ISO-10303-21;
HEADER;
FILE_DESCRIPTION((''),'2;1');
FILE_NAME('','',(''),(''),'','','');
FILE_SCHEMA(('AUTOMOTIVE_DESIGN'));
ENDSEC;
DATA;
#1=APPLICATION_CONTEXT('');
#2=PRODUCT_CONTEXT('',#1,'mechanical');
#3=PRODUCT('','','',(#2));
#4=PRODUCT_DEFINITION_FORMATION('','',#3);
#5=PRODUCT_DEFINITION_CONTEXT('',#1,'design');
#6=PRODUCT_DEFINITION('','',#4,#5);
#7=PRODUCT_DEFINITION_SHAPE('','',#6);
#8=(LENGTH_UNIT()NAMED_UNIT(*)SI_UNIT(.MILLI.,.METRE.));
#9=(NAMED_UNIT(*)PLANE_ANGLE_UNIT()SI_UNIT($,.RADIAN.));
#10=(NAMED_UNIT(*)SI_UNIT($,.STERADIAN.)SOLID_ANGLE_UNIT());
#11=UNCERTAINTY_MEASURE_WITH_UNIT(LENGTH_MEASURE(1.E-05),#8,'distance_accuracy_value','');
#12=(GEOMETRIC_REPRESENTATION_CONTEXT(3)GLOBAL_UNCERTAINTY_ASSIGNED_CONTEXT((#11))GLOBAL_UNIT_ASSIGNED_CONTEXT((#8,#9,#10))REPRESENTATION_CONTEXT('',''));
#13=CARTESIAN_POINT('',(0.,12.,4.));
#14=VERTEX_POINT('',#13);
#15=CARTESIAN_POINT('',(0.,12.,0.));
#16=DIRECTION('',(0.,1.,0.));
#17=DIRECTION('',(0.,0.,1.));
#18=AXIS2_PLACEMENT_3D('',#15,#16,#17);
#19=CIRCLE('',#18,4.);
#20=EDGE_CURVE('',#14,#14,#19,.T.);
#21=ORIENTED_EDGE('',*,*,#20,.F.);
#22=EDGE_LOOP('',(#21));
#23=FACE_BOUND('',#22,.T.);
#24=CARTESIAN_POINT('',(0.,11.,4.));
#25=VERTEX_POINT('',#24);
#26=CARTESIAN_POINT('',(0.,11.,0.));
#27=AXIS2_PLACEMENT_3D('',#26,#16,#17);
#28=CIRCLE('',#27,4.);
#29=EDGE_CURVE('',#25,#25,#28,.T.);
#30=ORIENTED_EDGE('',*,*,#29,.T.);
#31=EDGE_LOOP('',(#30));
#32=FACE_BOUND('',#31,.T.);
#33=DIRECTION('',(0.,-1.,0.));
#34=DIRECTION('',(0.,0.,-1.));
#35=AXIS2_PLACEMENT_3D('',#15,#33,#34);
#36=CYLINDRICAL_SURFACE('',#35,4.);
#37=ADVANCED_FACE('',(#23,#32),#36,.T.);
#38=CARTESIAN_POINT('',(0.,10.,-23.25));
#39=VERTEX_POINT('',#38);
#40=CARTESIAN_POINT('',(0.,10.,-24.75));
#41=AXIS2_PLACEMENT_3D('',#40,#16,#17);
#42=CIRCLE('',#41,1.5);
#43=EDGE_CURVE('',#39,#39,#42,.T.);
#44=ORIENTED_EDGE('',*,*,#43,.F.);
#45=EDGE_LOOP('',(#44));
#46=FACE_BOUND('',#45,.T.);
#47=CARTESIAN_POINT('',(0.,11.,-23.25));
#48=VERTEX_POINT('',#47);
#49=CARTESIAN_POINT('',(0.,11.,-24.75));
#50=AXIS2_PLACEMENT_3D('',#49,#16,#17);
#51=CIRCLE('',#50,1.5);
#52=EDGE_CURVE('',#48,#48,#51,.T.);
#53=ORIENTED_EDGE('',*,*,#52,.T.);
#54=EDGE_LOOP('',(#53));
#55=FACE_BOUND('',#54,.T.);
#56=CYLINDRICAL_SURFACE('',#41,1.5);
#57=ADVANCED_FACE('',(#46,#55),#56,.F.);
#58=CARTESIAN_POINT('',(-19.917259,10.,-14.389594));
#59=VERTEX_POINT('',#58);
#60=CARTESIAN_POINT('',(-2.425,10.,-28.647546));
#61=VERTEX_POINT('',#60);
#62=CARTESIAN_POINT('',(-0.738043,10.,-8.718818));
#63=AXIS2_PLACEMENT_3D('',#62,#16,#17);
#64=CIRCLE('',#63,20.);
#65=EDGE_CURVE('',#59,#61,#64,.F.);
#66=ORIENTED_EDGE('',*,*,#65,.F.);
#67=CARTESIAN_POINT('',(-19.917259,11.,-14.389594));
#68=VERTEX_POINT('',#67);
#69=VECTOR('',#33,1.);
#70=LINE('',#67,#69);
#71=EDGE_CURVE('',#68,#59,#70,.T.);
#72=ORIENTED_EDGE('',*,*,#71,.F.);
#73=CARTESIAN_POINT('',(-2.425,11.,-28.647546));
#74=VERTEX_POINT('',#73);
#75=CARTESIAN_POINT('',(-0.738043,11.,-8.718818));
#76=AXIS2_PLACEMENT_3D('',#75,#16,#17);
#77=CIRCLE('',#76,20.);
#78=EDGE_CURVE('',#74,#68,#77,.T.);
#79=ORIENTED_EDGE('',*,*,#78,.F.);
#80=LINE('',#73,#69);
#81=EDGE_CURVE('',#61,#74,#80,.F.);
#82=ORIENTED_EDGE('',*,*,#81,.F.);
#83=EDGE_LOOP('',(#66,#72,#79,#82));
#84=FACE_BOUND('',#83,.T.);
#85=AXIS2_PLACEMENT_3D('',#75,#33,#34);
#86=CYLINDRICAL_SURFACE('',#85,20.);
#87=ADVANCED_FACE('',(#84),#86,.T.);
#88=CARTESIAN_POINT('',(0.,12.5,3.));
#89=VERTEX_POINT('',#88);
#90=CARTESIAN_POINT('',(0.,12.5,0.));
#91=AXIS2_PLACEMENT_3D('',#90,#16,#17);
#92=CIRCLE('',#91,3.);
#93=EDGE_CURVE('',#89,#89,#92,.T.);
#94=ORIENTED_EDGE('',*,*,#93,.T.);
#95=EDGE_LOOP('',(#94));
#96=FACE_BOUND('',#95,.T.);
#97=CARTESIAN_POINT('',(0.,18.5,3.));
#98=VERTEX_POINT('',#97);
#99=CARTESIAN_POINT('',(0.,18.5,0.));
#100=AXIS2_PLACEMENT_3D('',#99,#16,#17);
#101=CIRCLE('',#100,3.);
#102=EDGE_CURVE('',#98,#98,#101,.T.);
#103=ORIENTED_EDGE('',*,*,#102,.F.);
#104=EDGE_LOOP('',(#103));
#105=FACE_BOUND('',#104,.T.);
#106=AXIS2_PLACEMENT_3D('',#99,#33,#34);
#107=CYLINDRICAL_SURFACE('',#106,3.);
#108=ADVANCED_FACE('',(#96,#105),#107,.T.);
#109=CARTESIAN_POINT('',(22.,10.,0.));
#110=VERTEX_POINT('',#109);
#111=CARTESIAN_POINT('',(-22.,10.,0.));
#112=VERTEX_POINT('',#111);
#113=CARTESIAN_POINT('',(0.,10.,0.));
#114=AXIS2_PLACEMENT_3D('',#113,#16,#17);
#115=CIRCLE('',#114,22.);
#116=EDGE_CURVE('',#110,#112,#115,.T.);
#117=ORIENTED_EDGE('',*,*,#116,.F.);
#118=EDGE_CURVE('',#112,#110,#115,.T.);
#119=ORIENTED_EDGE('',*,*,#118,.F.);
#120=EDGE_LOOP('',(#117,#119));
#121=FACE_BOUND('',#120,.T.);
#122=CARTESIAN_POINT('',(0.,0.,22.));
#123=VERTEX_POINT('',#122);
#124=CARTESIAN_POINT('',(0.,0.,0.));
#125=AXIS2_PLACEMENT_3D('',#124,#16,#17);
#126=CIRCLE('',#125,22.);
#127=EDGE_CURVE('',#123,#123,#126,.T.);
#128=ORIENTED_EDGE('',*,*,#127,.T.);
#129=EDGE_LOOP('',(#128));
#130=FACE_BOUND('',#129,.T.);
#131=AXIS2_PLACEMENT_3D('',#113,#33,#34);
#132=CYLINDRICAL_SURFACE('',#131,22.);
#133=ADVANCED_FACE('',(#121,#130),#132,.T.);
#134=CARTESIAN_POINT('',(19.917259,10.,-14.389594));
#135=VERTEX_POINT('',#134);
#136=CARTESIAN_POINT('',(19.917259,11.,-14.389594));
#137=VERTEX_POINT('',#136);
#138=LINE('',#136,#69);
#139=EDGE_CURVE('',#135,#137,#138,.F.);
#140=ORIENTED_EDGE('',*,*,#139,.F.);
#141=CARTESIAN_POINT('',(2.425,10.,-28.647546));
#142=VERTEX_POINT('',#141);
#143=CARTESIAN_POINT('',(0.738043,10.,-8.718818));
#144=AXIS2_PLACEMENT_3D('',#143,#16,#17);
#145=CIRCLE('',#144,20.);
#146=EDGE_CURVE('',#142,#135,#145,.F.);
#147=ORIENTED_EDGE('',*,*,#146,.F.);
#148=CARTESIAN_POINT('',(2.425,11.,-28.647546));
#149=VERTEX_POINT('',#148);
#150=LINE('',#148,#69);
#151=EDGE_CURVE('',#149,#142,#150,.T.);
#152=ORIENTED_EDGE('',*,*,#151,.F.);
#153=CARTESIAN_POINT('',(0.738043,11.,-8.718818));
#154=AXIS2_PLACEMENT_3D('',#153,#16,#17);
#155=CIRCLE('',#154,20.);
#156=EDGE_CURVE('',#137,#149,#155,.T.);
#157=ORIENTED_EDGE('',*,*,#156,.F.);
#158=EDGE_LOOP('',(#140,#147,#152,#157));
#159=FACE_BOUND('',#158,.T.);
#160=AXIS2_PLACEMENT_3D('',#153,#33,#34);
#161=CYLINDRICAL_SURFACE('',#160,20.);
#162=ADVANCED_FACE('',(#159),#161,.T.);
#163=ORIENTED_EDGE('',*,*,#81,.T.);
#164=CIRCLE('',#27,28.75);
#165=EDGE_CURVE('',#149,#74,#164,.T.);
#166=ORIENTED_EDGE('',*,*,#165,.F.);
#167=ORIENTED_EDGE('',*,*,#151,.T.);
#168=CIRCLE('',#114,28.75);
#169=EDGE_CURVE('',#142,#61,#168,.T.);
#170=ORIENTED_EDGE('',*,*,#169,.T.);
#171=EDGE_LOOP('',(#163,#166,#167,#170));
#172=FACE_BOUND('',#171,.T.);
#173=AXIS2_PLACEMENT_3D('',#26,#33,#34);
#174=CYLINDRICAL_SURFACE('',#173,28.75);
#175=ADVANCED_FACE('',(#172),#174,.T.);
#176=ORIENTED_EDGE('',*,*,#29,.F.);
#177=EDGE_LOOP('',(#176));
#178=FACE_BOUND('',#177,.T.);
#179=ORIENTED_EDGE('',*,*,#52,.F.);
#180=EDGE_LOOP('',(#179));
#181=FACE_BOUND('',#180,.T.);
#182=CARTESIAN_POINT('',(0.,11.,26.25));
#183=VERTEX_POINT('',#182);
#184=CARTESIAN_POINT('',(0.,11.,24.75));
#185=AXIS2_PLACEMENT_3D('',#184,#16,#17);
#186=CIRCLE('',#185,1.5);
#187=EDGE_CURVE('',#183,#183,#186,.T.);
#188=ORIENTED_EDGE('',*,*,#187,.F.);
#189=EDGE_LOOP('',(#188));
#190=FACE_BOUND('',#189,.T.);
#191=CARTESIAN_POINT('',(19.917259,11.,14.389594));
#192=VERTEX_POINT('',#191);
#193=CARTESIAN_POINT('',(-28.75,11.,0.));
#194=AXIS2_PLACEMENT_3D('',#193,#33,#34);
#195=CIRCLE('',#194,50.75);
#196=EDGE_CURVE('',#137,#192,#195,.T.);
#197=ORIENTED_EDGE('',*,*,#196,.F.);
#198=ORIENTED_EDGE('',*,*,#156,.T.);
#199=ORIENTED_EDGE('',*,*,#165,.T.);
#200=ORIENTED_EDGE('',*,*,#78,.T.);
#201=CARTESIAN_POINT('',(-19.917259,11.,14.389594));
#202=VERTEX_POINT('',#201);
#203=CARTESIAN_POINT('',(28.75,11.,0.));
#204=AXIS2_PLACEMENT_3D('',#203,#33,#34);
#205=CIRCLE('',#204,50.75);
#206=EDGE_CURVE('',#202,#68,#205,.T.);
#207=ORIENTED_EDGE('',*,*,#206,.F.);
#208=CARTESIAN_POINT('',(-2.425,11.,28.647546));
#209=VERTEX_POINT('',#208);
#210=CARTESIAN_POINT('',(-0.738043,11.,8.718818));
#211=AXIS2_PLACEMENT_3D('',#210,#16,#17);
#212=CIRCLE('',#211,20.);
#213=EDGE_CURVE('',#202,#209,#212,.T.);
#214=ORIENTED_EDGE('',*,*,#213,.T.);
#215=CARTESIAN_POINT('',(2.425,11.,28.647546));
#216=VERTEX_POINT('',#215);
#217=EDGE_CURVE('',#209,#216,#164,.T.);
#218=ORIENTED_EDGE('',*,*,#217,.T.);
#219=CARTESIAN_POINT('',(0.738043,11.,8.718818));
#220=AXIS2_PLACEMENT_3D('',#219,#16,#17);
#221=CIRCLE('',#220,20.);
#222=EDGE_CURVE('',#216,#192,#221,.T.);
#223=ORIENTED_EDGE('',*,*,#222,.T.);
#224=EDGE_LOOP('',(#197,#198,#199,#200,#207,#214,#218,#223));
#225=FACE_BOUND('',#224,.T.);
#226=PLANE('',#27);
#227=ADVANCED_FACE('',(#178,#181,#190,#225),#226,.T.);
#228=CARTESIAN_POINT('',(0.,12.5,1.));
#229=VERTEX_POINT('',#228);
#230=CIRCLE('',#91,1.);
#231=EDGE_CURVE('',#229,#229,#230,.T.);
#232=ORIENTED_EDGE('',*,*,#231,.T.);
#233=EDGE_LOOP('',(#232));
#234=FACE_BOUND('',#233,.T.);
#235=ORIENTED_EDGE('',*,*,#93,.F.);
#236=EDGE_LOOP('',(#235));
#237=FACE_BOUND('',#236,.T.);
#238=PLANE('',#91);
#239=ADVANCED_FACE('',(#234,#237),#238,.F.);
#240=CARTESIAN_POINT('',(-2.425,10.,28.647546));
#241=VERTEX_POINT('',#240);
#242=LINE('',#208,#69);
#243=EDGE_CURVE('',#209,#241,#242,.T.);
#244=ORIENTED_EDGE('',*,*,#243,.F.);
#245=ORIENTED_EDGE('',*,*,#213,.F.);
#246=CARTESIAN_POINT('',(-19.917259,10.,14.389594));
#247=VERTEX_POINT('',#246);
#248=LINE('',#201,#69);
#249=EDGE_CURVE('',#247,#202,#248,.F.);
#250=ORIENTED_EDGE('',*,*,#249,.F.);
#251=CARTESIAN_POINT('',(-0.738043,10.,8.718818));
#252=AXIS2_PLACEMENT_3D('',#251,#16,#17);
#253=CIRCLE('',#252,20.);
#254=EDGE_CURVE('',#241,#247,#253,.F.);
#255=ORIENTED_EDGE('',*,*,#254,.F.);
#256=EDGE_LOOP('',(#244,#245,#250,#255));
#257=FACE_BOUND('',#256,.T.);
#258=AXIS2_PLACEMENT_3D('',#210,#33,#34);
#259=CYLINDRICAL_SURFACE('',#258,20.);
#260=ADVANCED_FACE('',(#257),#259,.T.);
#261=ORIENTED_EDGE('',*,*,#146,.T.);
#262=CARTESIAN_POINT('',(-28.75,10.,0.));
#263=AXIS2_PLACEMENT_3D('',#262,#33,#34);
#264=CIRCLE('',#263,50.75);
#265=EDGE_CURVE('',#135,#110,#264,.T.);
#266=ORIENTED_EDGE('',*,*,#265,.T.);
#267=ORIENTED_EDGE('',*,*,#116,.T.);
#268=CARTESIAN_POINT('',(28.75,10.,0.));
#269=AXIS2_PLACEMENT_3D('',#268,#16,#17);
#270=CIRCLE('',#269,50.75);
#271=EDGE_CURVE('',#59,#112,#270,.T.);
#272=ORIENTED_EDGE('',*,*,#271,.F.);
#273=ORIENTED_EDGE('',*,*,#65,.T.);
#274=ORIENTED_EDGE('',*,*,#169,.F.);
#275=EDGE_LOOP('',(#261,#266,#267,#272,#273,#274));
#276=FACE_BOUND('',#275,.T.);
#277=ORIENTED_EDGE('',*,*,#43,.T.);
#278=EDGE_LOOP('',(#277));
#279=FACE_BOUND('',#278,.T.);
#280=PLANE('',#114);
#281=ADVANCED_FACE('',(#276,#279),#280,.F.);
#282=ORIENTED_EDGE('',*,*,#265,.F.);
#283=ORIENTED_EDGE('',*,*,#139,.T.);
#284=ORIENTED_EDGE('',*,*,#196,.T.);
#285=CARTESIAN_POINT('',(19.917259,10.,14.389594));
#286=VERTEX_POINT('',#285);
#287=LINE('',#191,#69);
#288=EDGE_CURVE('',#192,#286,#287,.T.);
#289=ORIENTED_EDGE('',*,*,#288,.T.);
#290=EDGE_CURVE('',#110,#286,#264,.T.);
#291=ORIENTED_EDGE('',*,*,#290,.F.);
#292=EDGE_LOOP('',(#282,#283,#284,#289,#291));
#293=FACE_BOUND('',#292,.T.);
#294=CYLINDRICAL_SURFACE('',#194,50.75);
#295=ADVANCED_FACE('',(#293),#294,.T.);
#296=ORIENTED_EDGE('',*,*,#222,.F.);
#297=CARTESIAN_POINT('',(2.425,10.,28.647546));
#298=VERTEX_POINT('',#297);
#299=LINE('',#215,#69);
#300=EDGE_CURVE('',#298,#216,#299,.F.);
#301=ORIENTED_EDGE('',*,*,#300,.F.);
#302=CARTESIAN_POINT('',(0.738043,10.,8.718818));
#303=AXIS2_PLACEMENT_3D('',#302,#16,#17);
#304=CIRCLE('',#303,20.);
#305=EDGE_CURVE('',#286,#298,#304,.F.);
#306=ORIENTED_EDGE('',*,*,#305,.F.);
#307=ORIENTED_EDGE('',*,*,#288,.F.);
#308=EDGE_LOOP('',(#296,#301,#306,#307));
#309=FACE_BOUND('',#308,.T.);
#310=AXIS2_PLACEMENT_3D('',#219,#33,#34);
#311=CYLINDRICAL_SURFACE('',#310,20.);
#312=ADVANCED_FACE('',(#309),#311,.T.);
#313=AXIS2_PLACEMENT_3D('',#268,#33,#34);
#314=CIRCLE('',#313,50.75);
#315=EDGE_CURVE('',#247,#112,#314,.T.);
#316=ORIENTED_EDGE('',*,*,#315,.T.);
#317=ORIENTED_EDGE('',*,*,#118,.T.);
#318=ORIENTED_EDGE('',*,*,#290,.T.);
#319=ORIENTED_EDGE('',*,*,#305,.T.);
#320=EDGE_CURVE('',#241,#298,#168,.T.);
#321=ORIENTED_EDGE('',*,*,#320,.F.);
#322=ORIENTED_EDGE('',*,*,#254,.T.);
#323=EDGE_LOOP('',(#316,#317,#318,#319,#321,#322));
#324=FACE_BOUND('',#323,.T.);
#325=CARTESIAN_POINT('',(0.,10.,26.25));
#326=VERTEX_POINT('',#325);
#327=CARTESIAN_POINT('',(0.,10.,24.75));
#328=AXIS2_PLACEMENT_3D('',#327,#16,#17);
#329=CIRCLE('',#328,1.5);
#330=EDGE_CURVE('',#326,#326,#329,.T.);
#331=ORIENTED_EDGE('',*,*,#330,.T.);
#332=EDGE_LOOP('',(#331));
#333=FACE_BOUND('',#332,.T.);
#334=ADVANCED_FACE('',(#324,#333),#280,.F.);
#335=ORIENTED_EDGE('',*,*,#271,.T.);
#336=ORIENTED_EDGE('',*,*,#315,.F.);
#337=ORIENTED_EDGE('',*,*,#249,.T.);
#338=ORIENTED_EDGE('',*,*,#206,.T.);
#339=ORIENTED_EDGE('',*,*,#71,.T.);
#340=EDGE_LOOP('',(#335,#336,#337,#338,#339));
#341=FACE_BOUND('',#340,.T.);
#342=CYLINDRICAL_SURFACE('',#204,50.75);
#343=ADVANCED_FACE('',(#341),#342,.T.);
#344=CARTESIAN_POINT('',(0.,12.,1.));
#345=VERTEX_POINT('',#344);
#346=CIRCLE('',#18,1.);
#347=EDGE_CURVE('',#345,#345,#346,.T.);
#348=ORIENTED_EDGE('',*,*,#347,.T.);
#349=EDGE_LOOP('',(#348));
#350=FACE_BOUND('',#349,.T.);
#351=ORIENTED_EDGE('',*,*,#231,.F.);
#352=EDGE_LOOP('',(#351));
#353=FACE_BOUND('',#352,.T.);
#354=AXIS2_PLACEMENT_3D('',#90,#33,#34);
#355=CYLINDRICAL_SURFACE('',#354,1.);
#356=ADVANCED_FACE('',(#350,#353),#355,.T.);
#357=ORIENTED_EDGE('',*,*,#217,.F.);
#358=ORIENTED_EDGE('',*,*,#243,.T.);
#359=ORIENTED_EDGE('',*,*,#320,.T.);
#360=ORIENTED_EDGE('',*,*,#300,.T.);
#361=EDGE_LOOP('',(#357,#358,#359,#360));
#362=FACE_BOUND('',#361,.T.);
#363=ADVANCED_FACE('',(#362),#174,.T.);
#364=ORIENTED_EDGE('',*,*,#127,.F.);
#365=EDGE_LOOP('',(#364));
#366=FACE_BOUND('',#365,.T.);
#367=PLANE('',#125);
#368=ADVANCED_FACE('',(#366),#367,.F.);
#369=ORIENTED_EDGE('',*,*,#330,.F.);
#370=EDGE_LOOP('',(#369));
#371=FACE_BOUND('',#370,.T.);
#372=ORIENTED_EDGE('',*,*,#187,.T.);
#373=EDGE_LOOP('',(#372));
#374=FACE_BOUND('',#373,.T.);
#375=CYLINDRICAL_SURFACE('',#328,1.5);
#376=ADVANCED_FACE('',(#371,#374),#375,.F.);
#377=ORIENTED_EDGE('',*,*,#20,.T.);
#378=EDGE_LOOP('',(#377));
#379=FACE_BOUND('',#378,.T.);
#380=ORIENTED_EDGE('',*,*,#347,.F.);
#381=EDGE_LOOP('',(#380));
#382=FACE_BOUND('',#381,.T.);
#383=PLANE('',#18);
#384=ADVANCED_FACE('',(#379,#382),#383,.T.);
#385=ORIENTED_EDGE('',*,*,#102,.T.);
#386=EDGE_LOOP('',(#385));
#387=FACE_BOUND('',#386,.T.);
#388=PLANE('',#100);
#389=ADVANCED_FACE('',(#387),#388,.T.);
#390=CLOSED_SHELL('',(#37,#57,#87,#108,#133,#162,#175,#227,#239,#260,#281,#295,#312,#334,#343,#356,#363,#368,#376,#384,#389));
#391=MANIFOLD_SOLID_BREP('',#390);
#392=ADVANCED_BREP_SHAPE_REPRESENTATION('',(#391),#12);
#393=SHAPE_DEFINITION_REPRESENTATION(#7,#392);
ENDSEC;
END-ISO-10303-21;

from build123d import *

# Parameters (mm, degrees)
SKETCH1_R           = 22
BOSS_EXTRUDE1_DEPTH = 10
SKETCH2_R           = 28.75
BOSS_EXTRUDE2_DEPTH = 1
SKETCH3_R           = 1.5
CUT_EXTRUDE1_DEPTH  = 1
CUT_EXTRUDE2_DEPTH  = 1
FILLET1_R           = 20
SKETCH5_R           = 4
BOSS_EXTRUDE3_DEPTH = 1
SKETCH6_R           = 1
BOSS_EXTRUDE4_DEPTH = 0.5
SKETCH7_R           = 3
BOSS_EXTRUDE5_DEPTH = 6


with BuildPart() as part:
    # Sketch1 → Boss-Extrude1 (new body)
    with BuildSketch(Plane(origin=(0, 0, 0), x_dir=(1, 0, 0), z_dir=(0, 1, 0))):
        with Locations(Location((0, 0, 0), (0, 0, 270))):
            Circle(SKETCH1_R)
    extrude(amount=BOSS_EXTRUDE1_DEPTH)

    # Sketch2 → Boss-Extrude2 (add)
    with BuildSketch(Plane(origin=(0, 10, 0), x_dir=(1, 0, 0), z_dir=(0, 1, 0))):
        with Locations(Location((0, 0, 0), (0, 0, 270))):
            Circle(SKETCH2_R)
    extrude(amount=BOSS_EXTRUDE2_DEPTH)

    # Sketch3 → Cut-Extrude1 (cut)
    with BuildSketch(Plane(origin=(0, 11, 0), x_dir=(1, 0, 0), z_dir=(0, 1, 0))):
        with Locations(Location((0, -24.75, 0), (0, 0, 270))):
            Circle(SKETCH3_R)
        with Locations(Location((0, 24.75, 0), (0, 0, 270))):
            Circle(SKETCH3_R)
    extrude(amount=-CUT_EXTRUDE1_DEPTH, mode=Mode.SUBTRACT)

    # Sketch4 → Cut-Extrude2 (cut)
    with BuildSketch(Plane.XZ.offset(-10)):
        with BuildLine():
            ThreePointArc((-16.042391304, -23.858000361), (-22, 0), (-16.042391304, 23.858000361))
            ThreePointArc((-16.042391304, 23.858000361), (-28.75, 0), (-16.042391304, -23.858000361))
        make_face()
        with BuildLine():
            ThreePointArc((16.042391304, -23.858000361), (28.75, 0), (16.042391304, 23.858000361))
            ThreePointArc((16.042391304, 23.858000361), (22, 0), (16.042391304, -23.858000361))
        make_face()
    extrude(amount=-CUT_EXTRUDE2_DEPTH, mode=Mode.SUBTRACT)

    # Fillet1
    fillet1_edges = [part.edges().sort_by_distance(p)[0] for p in [
        (-16.042391304, 10.5, 23.858000361),
        (-16.042391304, 10.5, -23.858000361),
        (16.042391304, 10.5, -23.858000361),
        (16.042391304, 10.5, 23.858000361),
    ]]
    fillet(fillet1_edges, radius=FILLET1_R)

    # Sketch5 → Boss-Extrude3 (add)
    with BuildSketch(Plane(origin=(0, 11, 0), x_dir=(1, 0, 0), z_dir=(0, 1, 0))):
        with Locations(Location((0, 0, 0), (0, 0, 270))):
            Circle(SKETCH5_R)
    extrude(amount=BOSS_EXTRUDE3_DEPTH)

    # Sketch6 → Boss-Extrude4 (add)
    with BuildSketch(Plane(origin=(0, 12, 0), x_dir=(1, 0, 0), z_dir=(0, 1, 0))):
        with Locations(Location((0, 0, 0), (0, 0, 270))):
            Circle(SKETCH6_R)
    extrude(amount=BOSS_EXTRUDE4_DEPTH)

    # Sketch7 → Boss-Extrude5 (add)
    with BuildSketch(Plane(origin=(0, 12.5, 0), x_dir=(1, 0, 0), z_dir=(0, 1, 0))):
        with Locations(Location((0, 0, 0), (0, 0, 270))):
            Circle(SKETCH7_R)
    extrude(amount=BOSS_EXTRUDE5_DEPTH)


solid = part.part
